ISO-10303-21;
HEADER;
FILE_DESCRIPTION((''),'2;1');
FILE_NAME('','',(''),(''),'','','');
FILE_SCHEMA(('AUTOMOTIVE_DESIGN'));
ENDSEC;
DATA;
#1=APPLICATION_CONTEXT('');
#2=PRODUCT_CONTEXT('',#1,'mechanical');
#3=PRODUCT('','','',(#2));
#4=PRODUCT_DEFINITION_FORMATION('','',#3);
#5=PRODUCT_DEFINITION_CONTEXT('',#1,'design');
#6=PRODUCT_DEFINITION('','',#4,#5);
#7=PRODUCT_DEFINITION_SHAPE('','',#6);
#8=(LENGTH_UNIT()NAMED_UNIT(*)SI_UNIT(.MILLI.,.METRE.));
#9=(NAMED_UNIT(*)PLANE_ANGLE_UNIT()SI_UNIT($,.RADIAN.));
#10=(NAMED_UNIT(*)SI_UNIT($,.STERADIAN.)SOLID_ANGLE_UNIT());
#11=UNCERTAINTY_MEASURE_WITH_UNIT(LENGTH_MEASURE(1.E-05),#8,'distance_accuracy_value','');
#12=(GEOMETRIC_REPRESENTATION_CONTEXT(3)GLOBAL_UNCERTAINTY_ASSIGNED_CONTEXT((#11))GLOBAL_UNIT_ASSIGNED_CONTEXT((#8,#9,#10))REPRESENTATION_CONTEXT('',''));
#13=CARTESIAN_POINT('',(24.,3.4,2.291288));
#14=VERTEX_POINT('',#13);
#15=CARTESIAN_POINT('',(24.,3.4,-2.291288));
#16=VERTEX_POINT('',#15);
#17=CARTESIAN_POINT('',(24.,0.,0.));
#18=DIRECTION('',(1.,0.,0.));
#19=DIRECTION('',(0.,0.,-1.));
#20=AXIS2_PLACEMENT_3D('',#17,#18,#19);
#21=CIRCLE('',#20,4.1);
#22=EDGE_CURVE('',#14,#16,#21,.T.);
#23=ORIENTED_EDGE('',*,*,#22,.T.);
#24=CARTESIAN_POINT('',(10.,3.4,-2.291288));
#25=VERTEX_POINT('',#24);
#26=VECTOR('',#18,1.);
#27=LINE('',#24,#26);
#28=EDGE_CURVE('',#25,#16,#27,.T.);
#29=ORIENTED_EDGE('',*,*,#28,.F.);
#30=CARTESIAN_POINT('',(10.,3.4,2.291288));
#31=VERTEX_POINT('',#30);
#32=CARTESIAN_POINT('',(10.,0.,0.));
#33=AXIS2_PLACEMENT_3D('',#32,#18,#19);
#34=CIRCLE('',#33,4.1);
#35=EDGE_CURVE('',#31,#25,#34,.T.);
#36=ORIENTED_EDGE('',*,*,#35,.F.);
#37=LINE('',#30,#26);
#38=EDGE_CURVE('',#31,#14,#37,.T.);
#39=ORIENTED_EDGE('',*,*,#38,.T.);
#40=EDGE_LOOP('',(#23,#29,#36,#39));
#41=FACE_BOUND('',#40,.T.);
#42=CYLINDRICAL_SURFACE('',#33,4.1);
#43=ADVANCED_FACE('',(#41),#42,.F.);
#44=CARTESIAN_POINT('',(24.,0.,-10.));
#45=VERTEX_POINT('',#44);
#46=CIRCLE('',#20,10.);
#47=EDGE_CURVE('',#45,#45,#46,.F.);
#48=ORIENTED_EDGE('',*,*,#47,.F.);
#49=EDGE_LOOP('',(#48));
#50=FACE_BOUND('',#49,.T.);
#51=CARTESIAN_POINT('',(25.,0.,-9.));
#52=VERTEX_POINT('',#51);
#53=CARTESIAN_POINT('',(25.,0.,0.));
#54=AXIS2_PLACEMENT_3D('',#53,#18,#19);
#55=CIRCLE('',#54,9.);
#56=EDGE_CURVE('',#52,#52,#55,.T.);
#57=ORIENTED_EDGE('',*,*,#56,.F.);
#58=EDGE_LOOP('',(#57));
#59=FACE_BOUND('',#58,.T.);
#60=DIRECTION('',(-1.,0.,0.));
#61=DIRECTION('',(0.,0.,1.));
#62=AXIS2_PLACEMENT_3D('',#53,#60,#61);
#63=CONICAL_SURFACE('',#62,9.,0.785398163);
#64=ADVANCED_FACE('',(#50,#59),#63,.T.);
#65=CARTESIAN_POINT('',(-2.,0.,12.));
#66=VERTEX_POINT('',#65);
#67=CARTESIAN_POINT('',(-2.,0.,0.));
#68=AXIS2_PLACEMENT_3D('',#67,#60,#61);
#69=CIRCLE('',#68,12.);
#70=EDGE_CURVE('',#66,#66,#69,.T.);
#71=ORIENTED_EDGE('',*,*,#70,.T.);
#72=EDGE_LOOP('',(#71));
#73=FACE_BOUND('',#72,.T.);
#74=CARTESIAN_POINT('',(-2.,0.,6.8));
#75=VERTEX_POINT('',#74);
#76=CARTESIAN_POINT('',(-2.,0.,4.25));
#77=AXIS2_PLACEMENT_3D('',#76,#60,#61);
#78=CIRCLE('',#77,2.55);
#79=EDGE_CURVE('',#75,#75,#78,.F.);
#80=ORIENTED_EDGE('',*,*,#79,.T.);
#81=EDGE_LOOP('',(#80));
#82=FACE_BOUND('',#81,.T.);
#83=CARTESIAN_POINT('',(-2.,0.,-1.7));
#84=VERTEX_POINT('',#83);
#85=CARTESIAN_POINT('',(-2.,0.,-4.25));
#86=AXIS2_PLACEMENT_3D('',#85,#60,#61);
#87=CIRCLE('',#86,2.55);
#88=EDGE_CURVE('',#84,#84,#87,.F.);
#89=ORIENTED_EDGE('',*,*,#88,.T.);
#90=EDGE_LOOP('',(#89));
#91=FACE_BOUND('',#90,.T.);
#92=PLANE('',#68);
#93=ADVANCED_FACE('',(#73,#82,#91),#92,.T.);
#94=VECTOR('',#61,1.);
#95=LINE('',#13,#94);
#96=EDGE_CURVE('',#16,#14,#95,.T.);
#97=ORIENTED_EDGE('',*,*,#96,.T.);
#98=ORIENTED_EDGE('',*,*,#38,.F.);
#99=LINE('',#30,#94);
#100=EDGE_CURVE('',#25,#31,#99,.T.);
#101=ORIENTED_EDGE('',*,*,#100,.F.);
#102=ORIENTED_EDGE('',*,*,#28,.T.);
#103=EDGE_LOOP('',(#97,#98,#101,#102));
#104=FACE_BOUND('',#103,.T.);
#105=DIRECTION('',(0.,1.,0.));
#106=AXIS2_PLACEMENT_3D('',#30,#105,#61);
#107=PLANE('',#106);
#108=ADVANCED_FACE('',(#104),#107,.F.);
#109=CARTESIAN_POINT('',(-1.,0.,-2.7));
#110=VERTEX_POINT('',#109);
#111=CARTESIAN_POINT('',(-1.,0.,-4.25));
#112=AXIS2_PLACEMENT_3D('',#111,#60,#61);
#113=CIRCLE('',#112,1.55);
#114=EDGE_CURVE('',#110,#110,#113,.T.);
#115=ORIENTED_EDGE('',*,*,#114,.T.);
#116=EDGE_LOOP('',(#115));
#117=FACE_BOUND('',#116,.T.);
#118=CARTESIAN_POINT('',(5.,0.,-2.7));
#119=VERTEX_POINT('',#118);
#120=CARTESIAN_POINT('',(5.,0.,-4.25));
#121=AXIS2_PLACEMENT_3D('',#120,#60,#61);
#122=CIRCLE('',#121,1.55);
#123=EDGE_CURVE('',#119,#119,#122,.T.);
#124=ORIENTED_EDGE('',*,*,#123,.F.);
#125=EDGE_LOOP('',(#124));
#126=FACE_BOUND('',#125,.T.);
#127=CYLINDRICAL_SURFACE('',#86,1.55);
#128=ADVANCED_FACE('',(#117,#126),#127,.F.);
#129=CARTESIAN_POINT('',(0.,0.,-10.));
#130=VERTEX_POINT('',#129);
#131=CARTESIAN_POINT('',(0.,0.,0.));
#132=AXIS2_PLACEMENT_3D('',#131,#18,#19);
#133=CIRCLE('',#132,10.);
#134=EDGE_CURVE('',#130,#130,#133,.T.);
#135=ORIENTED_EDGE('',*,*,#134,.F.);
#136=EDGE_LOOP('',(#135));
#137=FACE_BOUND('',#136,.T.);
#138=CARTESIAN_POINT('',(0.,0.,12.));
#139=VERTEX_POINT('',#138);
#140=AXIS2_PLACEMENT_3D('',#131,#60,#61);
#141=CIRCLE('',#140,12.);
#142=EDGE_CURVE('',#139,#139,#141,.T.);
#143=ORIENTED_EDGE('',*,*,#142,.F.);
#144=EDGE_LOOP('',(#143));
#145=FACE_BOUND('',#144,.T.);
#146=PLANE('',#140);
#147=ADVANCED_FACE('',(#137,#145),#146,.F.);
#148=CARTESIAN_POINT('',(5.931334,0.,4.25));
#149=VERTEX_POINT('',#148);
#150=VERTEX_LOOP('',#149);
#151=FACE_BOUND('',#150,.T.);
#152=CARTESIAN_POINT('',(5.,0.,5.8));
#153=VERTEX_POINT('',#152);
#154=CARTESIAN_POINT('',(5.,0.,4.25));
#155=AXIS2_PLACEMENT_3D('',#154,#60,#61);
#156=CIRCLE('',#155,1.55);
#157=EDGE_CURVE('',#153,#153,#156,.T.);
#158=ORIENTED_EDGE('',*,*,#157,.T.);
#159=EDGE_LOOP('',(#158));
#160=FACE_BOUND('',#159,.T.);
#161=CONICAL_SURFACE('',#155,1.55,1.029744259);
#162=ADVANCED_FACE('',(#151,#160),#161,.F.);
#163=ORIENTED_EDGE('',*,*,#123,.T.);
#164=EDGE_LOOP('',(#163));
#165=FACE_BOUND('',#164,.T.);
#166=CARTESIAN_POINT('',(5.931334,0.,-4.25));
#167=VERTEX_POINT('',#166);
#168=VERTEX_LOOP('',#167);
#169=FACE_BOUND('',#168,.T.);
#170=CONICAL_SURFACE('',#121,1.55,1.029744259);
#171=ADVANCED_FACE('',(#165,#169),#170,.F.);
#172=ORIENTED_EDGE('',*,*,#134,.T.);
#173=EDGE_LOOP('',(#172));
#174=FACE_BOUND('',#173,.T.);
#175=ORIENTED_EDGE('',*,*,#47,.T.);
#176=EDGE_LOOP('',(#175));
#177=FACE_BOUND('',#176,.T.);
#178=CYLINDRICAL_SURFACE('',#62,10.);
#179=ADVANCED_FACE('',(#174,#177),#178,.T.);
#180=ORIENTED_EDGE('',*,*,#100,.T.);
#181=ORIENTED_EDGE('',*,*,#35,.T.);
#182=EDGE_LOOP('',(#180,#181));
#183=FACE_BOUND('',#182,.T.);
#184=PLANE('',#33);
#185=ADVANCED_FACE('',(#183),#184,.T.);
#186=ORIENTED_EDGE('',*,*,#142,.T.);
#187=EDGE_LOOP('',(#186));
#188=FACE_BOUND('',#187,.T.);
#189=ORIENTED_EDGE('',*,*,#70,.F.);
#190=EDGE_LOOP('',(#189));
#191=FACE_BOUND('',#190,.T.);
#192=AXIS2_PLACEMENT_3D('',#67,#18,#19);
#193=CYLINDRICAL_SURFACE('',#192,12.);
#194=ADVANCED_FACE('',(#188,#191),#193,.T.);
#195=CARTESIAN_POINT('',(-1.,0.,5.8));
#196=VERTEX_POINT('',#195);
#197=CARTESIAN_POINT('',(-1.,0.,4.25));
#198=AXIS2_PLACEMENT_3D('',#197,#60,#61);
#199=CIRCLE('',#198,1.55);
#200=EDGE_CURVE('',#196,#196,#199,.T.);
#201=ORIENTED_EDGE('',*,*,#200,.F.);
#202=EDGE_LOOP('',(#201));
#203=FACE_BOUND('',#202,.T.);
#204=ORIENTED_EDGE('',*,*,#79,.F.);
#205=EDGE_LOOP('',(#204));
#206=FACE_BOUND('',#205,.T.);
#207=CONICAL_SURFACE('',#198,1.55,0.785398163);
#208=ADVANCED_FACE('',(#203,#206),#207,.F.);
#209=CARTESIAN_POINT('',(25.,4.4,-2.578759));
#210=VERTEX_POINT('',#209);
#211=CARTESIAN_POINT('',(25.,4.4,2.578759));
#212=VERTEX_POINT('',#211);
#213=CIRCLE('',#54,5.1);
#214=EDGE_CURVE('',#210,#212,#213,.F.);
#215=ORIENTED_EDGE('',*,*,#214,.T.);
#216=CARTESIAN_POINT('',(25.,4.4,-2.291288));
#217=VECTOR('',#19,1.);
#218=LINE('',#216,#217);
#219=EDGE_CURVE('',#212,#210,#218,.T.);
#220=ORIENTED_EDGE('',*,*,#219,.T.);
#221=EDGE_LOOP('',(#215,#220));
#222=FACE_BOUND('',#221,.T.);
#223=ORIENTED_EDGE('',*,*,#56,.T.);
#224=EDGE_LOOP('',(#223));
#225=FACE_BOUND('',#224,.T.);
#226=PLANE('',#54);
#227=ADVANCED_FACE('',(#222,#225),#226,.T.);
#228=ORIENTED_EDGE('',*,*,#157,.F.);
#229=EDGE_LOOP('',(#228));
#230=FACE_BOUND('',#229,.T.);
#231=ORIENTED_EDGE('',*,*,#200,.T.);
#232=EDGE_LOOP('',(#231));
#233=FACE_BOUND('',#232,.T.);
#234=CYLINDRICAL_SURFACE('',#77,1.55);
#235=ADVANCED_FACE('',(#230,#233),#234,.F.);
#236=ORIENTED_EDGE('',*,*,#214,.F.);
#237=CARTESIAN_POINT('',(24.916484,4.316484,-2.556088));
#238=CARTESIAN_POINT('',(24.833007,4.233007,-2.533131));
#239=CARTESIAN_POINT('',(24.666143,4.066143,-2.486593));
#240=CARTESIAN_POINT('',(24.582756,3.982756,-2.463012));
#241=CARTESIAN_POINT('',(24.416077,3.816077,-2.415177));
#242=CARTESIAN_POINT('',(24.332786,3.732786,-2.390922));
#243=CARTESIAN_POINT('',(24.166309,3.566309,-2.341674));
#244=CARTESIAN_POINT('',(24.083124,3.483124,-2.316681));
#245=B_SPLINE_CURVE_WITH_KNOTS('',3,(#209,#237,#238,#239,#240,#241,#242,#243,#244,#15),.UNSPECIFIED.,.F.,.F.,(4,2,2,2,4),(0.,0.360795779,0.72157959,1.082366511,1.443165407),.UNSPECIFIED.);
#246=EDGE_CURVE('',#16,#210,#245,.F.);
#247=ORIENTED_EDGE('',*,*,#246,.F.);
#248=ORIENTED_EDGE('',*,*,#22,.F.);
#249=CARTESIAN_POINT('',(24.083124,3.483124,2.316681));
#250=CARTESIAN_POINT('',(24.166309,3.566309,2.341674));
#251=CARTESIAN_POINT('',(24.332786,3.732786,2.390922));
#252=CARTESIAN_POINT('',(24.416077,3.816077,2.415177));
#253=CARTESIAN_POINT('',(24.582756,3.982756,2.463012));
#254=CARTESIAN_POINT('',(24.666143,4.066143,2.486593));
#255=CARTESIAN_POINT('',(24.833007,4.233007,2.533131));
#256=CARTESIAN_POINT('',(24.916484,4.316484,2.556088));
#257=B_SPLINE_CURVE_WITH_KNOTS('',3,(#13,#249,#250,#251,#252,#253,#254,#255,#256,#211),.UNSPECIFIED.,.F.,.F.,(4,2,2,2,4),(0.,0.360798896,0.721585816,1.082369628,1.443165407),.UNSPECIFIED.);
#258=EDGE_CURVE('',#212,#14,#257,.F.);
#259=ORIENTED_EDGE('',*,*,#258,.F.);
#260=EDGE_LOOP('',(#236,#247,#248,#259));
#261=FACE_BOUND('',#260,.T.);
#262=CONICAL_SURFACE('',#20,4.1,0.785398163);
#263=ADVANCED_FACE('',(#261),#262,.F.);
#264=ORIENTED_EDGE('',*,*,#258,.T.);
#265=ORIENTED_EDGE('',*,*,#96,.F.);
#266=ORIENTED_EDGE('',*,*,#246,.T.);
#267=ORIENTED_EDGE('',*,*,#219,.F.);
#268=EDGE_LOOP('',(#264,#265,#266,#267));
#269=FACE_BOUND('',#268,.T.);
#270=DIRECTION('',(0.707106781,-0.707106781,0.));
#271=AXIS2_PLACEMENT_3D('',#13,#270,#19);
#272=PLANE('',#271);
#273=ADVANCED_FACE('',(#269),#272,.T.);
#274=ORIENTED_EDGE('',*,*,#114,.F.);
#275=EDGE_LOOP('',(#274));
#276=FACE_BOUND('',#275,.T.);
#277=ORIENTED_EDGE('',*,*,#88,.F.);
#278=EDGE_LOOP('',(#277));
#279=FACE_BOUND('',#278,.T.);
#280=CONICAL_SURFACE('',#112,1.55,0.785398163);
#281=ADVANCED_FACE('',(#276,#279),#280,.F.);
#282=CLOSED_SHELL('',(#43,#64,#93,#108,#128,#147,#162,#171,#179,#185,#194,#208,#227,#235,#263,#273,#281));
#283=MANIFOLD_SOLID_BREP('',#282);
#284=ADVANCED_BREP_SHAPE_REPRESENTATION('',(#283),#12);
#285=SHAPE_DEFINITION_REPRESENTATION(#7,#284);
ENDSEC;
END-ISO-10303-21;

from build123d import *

# Parameters (mm, degrees)
SKIZZE2_R                            = 10
AUFSATZ_LINEAR_AUSTRAGEN1_DEPTH      = 25
SKIZZE3_R                            = 12
AUFSATZ_LINEAR_AUSTRAGEN2_DEPTH      = 2
SCHNITT_LINEAR_AUSTRAGEN1_DEPTH      = 15
FASE1_SIZE                           = 1
FASE2_SIZE                           = 1
F_3_1_3_1_DURCHMESSER_BOHRUNG1_D     = 3.1
F_3_1_3_1_DURCHMESSER_BOHRUNG1_DEPTH = 7
F_3_1_3_1_DURCHMESSER_BOHRUNG1_TIP   = 0.931333959
FASE3_SIZE                           = 1


with BuildPart() as part:
    # Skizze2 → Aufsatz-Linear austragen1 (new body)
    with BuildSketch(Plane(origin=(0, 0, 0), x_dir=(0, 0, -1), z_dir=(1, 0, 0))):
        Circle(SKIZZE2_R)
    extrude(amount=AUFSATZ_LINEAR_AUSTRAGEN1_DEPTH)

    # Skizze3 → Aufsatz-Linear austragen2 (add)
    with BuildSketch(Plane.ZY):
        Circle(SKIZZE3_R)
    extrude(amount=AUFSATZ_LINEAR_AUSTRAGEN2_DEPTH)

    # Skizze4 → Schnitt-Linear austragen1 (cut)
    with BuildSketch(Plane(origin=(25, 0, 0), x_dir=(0, 0, -1), z_dir=(1, 0, 0))):
        with BuildLine():
            Line((-2.291287847, 3.4), (2.291287847, 3.4))
            ThreePointArc((2.291287847, 3.4), (0, -4.1), (-2.291287847, 3.4))
        make_face()
    extrude(amount=-SCHNITT_LINEAR_AUSTRAGEN1_DEPTH, mode=Mode.SUBTRACT)

    # Fase1
    fase1_edges = [part.edges().sort_by_distance(p)[0] for p in [
        (25, -4.1, 0),
        (25, 3.4, 0),
    ]]
    chamfer(fase1_edges, length=FASE1_SIZE)

    # Fase2
    fase2_edges = [part.edges().sort_by_distance(p)[0] for p in [
        (25, 0, 10),
    ]]
    chamfer(fase2_edges, length=FASE2_SIZE)

    # Ø3.1 (3.1) Durchmesser Bohrung1
    with Locations(Plane.ZY.offset(2)):
        with Locations((4.25, 0), (-4.25, 0)):
            Hole(F_3_1_3_1_DURCHMESSER_BOHRUNG1_D / 2, depth=F_3_1_3_1_DURCHMESSER_BOHRUNG1_DEPTH)
            with Locations((0, 0, -(F_3_1_3_1_DURCHMESSER_BOHRUNG1_DEPTH + F_3_1_3_1_DURCHMESSER_BOHRUNG1_TIP / 2))):  # 118° drill point
                Cone(0, F_3_1_3_1_DURCHMESSER_BOHRUNG1_D / 2, F_3_1_3_1_DURCHMESSER_BOHRUNG1_TIP, mode=Mode.SUBTRACT)

    # Fase3
    fase3_edges = [part.edges().sort_by_distance(p)[0] for p in [
        (-2, 0, 5.8),
        (-2, 0, -2.7),
    ]]
    chamfer(fase3_edges, length=FASE3_SIZE)


solid = part.part
